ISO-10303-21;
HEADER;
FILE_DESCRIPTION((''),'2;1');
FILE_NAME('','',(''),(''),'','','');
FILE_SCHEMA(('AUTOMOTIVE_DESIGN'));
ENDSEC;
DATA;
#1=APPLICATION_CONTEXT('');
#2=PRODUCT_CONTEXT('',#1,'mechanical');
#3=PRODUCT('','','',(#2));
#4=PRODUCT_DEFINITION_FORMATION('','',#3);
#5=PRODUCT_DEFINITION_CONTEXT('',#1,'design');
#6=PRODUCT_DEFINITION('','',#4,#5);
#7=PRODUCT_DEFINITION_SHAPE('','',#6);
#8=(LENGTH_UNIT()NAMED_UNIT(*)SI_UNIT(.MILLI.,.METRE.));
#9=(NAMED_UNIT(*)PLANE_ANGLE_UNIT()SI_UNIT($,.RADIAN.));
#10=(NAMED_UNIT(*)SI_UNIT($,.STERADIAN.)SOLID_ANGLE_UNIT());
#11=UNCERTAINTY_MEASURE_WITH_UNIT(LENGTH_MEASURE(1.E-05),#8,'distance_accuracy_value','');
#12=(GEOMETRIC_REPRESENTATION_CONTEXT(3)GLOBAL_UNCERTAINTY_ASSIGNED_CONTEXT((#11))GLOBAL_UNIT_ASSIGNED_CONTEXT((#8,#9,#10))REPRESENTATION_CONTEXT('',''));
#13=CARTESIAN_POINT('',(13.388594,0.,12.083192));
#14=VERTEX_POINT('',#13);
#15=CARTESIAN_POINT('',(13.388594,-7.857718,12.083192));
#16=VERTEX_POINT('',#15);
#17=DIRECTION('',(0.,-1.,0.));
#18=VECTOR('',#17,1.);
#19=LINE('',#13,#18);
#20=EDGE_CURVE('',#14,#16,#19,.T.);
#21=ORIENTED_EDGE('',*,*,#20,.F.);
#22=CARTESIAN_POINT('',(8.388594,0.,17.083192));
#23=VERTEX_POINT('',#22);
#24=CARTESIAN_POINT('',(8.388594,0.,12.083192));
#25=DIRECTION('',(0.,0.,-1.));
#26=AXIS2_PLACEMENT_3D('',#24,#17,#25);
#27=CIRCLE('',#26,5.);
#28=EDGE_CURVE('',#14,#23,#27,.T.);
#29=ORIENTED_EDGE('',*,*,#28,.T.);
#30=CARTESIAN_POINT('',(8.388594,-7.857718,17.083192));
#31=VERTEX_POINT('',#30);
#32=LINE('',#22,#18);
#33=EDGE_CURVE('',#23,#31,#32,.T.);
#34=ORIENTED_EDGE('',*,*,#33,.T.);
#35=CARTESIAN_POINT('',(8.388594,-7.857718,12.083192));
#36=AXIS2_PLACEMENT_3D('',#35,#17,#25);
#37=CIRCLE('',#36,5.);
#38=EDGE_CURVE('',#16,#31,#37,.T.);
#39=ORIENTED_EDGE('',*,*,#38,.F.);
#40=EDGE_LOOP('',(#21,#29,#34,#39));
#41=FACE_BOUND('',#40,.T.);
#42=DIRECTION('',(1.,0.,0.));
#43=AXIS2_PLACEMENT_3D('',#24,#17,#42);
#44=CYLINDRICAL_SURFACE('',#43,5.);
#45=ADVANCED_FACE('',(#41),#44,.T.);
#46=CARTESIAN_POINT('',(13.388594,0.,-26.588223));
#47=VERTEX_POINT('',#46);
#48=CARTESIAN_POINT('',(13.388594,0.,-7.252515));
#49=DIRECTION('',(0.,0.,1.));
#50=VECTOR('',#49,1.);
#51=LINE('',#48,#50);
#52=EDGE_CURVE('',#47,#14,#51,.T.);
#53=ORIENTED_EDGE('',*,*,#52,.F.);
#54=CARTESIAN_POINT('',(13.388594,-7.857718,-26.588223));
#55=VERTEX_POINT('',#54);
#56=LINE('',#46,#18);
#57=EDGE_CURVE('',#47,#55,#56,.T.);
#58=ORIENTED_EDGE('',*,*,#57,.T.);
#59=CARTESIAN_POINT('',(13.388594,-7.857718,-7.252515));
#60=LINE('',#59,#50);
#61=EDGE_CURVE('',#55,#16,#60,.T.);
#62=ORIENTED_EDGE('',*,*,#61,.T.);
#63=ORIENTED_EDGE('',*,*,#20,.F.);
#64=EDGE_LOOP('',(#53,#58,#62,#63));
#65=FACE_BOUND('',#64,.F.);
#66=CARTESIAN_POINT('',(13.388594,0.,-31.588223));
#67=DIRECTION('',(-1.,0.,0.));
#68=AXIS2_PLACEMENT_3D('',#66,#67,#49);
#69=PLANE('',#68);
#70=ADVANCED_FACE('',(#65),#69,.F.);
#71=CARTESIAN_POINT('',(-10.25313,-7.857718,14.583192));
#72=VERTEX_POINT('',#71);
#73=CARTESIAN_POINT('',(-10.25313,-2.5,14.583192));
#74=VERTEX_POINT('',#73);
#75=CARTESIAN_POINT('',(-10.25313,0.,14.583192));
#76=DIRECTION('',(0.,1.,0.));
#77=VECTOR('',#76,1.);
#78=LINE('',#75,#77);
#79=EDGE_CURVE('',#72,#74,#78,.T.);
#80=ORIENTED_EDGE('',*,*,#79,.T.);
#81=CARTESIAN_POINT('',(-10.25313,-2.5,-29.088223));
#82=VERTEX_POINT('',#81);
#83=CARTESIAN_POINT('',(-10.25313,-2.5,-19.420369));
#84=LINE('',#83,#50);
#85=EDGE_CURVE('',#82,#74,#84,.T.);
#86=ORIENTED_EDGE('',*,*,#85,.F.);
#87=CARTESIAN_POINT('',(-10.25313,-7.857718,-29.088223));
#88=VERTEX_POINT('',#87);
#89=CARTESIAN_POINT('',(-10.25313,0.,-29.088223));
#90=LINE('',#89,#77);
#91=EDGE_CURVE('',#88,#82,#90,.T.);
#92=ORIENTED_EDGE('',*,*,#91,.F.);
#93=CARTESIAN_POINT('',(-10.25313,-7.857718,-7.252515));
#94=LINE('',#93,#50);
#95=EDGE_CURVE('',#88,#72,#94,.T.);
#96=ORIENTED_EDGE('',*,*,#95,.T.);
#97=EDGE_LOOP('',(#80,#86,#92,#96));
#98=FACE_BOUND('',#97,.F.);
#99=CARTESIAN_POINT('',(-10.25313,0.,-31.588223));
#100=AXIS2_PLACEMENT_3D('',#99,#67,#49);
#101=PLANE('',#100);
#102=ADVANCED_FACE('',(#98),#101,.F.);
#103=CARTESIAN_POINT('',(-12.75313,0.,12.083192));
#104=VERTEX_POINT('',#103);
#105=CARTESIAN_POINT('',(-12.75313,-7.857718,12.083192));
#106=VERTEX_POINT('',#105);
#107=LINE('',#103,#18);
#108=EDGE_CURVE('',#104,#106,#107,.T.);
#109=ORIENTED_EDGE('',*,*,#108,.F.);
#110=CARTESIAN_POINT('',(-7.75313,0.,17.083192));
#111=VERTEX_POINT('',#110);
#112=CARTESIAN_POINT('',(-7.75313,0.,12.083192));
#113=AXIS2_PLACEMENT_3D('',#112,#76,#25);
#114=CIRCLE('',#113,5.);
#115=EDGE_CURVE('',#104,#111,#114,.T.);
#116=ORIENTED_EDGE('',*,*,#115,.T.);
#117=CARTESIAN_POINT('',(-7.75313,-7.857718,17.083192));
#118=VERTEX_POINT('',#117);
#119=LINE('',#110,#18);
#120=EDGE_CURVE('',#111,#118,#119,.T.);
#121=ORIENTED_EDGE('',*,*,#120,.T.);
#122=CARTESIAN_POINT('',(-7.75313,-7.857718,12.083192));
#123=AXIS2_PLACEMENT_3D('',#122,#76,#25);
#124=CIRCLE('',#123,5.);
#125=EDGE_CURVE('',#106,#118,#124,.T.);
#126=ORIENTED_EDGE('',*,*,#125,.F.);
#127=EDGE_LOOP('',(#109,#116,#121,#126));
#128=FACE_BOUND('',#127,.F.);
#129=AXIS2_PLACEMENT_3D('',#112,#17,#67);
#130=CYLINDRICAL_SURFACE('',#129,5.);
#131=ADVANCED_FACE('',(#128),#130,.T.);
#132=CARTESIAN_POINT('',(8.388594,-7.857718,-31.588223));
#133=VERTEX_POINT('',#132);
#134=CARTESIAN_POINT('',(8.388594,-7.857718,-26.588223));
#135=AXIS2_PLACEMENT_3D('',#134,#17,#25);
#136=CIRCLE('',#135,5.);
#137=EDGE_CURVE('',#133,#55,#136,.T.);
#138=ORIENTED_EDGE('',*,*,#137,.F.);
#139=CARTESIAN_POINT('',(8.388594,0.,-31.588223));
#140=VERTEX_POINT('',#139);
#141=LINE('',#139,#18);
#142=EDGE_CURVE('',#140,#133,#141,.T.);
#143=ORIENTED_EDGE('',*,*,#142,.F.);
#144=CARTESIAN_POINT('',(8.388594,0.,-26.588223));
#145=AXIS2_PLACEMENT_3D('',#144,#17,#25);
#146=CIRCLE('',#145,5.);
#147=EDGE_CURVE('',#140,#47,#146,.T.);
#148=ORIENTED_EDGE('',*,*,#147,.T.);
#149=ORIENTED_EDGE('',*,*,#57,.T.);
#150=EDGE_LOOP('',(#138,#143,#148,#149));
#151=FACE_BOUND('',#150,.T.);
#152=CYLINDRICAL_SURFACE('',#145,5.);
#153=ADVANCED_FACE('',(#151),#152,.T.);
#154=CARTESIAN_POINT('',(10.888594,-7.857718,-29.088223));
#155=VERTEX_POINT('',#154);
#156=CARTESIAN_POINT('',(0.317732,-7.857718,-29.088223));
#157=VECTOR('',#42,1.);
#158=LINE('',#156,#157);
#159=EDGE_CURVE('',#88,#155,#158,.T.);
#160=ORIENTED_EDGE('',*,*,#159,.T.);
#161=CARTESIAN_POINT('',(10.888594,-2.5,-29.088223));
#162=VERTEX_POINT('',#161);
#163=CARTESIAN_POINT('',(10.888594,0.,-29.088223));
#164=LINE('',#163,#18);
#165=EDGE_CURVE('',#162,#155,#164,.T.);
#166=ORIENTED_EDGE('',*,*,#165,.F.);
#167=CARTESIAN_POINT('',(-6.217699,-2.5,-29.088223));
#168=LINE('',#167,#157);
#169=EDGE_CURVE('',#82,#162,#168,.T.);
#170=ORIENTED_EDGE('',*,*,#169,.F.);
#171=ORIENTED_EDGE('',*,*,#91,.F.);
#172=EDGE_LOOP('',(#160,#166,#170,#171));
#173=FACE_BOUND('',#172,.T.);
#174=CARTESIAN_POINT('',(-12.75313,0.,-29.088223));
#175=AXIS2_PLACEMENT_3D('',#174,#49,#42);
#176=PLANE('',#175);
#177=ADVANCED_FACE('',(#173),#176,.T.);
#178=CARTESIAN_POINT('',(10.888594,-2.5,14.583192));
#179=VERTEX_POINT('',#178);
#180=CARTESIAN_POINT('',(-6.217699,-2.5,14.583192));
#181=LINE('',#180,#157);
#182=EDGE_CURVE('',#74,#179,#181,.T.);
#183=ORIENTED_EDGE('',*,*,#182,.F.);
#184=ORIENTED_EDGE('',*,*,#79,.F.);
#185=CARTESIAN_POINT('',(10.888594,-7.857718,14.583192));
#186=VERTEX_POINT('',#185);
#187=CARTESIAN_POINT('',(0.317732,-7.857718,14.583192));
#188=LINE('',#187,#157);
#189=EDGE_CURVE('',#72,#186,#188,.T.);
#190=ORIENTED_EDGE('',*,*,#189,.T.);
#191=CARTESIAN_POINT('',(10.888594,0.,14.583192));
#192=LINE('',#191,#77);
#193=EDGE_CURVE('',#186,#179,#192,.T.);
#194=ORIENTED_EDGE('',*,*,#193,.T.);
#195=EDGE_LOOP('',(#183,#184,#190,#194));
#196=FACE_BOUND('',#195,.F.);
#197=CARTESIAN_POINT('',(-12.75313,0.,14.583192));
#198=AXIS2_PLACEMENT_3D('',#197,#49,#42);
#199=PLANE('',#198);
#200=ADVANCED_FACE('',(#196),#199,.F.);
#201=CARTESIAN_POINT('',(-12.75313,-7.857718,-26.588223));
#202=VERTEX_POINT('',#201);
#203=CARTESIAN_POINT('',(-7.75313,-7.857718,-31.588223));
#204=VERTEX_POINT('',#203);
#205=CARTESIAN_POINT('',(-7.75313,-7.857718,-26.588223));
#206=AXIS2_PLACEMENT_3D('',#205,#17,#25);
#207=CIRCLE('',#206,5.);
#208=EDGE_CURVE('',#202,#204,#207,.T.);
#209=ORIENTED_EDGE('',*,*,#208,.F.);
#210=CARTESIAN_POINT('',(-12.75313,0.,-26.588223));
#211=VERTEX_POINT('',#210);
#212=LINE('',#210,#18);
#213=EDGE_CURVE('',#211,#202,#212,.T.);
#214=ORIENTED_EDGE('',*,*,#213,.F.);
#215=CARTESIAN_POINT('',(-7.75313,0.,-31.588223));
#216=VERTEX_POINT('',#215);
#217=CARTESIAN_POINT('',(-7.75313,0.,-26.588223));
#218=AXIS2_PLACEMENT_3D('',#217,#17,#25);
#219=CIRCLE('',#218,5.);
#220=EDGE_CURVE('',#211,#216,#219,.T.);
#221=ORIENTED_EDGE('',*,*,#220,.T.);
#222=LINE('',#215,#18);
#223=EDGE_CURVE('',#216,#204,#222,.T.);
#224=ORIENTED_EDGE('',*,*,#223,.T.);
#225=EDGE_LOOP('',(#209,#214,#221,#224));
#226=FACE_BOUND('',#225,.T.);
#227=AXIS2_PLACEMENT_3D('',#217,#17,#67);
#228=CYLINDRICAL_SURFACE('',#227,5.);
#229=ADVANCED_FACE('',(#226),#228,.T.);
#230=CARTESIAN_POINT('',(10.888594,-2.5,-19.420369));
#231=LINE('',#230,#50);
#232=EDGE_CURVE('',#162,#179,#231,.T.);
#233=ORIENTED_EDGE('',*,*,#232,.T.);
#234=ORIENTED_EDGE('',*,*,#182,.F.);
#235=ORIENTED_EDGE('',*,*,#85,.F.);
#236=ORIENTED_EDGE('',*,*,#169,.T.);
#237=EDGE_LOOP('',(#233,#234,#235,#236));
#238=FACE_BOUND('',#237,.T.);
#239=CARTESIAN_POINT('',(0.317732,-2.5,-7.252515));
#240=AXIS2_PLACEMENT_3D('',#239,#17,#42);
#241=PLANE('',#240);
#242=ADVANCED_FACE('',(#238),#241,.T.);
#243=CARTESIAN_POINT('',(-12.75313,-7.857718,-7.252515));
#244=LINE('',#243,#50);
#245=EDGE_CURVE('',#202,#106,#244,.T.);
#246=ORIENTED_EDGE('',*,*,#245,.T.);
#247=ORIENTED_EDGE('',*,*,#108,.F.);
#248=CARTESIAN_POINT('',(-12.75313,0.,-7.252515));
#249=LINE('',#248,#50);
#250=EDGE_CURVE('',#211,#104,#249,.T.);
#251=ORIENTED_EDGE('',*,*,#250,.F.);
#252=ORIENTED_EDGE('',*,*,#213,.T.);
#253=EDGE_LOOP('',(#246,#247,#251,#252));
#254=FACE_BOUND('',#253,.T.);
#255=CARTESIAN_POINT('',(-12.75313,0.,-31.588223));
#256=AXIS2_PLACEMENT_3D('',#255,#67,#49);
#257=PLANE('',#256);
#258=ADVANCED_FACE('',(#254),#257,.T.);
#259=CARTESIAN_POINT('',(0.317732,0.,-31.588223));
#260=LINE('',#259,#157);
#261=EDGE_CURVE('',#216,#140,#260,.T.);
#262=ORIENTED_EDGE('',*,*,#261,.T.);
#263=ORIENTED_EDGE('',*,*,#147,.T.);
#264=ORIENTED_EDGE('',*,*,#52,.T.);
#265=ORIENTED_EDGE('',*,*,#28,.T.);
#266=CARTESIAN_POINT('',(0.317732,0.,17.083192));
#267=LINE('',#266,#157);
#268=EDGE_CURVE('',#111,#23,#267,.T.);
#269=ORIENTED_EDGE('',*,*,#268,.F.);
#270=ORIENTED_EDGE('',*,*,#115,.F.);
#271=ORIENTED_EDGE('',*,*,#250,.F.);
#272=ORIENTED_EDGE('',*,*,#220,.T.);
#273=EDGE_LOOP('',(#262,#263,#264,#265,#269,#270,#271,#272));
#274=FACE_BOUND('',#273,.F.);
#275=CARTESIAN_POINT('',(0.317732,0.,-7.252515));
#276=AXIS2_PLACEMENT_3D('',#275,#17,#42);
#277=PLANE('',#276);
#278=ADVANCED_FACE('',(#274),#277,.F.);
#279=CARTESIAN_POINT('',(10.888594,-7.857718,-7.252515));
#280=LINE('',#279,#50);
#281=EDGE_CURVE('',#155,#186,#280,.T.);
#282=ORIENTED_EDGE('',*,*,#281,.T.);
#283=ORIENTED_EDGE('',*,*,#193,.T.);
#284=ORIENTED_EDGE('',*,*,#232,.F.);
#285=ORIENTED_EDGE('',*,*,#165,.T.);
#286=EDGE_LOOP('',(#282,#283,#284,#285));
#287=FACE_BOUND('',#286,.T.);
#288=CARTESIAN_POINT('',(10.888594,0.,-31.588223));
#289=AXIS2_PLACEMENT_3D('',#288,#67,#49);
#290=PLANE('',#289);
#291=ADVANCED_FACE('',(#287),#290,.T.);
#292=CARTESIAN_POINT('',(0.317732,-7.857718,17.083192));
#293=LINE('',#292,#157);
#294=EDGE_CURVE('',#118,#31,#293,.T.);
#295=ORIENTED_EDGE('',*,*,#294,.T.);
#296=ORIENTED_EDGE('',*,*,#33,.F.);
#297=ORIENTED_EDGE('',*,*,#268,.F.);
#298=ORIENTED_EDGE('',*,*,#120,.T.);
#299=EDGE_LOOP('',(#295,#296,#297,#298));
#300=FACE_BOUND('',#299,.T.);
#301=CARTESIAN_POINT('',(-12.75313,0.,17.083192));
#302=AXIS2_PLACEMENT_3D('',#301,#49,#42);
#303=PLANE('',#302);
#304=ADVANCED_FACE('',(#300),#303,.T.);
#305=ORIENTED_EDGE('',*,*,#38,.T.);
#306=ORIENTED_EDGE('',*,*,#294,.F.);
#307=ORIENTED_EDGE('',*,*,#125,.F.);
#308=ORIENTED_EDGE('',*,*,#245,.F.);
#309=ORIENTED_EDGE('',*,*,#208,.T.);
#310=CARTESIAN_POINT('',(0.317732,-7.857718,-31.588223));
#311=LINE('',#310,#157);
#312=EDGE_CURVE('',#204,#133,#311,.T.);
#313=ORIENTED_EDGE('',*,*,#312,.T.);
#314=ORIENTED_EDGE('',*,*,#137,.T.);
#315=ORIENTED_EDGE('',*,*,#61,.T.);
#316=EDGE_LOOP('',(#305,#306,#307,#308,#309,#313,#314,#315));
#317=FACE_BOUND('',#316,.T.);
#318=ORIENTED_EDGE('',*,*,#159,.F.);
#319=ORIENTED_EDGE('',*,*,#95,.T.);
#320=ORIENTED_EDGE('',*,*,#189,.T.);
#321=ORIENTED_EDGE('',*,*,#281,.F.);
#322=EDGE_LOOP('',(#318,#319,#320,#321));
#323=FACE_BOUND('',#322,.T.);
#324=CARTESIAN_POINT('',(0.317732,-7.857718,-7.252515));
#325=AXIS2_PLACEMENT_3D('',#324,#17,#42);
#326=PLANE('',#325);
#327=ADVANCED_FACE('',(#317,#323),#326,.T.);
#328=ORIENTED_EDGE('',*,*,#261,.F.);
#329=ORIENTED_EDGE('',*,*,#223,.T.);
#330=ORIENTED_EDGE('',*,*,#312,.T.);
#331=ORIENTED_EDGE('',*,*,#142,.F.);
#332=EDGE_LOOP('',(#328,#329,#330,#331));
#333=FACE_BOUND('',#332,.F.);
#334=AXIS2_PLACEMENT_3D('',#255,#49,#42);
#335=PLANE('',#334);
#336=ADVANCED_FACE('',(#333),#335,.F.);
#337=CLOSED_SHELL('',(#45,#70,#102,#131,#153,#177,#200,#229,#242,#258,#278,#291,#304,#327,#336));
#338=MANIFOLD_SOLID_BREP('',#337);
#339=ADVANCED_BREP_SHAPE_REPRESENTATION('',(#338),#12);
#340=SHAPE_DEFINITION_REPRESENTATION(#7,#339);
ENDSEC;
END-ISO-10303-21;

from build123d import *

# Parameters (mm, degrees)
F0_W     = 26.141723
F0_H     = 48.671415
F1_DEPTH = 7.857718
F2_T     = -2.5
F3_R     = 5


with BuildPart() as f1:
    # F0 (on Front) → F1 (new body)
    with BuildSketch(Plane.XZ):
        with Locations((0.317732, -7.252515)):
            Rectangle(F0_W, F0_H)
    extrude(amount=F1_DEPTH)

    # F2
    f2_openings = [f1.faces().sort_by_distance(p)[0] for p in [
        (0.317732, -7.857718, -7.252515),
    ]]
    offset(amount=F2_T, openings=f2_openings)

    # F3
    f3_edges = [f1.edges().sort_by_distance(p)[0] for p in [
        (13.388594, -3.928859, 17.083192),
        (-12.753129, -3.928859, 17.083192),
        (-12.753129, -3.928859, -31.588223),
        (13.388594, -3.928859, -31.588223),
    ]]
    fillet(f3_edges, radius=F3_R)


solid = f1.part
